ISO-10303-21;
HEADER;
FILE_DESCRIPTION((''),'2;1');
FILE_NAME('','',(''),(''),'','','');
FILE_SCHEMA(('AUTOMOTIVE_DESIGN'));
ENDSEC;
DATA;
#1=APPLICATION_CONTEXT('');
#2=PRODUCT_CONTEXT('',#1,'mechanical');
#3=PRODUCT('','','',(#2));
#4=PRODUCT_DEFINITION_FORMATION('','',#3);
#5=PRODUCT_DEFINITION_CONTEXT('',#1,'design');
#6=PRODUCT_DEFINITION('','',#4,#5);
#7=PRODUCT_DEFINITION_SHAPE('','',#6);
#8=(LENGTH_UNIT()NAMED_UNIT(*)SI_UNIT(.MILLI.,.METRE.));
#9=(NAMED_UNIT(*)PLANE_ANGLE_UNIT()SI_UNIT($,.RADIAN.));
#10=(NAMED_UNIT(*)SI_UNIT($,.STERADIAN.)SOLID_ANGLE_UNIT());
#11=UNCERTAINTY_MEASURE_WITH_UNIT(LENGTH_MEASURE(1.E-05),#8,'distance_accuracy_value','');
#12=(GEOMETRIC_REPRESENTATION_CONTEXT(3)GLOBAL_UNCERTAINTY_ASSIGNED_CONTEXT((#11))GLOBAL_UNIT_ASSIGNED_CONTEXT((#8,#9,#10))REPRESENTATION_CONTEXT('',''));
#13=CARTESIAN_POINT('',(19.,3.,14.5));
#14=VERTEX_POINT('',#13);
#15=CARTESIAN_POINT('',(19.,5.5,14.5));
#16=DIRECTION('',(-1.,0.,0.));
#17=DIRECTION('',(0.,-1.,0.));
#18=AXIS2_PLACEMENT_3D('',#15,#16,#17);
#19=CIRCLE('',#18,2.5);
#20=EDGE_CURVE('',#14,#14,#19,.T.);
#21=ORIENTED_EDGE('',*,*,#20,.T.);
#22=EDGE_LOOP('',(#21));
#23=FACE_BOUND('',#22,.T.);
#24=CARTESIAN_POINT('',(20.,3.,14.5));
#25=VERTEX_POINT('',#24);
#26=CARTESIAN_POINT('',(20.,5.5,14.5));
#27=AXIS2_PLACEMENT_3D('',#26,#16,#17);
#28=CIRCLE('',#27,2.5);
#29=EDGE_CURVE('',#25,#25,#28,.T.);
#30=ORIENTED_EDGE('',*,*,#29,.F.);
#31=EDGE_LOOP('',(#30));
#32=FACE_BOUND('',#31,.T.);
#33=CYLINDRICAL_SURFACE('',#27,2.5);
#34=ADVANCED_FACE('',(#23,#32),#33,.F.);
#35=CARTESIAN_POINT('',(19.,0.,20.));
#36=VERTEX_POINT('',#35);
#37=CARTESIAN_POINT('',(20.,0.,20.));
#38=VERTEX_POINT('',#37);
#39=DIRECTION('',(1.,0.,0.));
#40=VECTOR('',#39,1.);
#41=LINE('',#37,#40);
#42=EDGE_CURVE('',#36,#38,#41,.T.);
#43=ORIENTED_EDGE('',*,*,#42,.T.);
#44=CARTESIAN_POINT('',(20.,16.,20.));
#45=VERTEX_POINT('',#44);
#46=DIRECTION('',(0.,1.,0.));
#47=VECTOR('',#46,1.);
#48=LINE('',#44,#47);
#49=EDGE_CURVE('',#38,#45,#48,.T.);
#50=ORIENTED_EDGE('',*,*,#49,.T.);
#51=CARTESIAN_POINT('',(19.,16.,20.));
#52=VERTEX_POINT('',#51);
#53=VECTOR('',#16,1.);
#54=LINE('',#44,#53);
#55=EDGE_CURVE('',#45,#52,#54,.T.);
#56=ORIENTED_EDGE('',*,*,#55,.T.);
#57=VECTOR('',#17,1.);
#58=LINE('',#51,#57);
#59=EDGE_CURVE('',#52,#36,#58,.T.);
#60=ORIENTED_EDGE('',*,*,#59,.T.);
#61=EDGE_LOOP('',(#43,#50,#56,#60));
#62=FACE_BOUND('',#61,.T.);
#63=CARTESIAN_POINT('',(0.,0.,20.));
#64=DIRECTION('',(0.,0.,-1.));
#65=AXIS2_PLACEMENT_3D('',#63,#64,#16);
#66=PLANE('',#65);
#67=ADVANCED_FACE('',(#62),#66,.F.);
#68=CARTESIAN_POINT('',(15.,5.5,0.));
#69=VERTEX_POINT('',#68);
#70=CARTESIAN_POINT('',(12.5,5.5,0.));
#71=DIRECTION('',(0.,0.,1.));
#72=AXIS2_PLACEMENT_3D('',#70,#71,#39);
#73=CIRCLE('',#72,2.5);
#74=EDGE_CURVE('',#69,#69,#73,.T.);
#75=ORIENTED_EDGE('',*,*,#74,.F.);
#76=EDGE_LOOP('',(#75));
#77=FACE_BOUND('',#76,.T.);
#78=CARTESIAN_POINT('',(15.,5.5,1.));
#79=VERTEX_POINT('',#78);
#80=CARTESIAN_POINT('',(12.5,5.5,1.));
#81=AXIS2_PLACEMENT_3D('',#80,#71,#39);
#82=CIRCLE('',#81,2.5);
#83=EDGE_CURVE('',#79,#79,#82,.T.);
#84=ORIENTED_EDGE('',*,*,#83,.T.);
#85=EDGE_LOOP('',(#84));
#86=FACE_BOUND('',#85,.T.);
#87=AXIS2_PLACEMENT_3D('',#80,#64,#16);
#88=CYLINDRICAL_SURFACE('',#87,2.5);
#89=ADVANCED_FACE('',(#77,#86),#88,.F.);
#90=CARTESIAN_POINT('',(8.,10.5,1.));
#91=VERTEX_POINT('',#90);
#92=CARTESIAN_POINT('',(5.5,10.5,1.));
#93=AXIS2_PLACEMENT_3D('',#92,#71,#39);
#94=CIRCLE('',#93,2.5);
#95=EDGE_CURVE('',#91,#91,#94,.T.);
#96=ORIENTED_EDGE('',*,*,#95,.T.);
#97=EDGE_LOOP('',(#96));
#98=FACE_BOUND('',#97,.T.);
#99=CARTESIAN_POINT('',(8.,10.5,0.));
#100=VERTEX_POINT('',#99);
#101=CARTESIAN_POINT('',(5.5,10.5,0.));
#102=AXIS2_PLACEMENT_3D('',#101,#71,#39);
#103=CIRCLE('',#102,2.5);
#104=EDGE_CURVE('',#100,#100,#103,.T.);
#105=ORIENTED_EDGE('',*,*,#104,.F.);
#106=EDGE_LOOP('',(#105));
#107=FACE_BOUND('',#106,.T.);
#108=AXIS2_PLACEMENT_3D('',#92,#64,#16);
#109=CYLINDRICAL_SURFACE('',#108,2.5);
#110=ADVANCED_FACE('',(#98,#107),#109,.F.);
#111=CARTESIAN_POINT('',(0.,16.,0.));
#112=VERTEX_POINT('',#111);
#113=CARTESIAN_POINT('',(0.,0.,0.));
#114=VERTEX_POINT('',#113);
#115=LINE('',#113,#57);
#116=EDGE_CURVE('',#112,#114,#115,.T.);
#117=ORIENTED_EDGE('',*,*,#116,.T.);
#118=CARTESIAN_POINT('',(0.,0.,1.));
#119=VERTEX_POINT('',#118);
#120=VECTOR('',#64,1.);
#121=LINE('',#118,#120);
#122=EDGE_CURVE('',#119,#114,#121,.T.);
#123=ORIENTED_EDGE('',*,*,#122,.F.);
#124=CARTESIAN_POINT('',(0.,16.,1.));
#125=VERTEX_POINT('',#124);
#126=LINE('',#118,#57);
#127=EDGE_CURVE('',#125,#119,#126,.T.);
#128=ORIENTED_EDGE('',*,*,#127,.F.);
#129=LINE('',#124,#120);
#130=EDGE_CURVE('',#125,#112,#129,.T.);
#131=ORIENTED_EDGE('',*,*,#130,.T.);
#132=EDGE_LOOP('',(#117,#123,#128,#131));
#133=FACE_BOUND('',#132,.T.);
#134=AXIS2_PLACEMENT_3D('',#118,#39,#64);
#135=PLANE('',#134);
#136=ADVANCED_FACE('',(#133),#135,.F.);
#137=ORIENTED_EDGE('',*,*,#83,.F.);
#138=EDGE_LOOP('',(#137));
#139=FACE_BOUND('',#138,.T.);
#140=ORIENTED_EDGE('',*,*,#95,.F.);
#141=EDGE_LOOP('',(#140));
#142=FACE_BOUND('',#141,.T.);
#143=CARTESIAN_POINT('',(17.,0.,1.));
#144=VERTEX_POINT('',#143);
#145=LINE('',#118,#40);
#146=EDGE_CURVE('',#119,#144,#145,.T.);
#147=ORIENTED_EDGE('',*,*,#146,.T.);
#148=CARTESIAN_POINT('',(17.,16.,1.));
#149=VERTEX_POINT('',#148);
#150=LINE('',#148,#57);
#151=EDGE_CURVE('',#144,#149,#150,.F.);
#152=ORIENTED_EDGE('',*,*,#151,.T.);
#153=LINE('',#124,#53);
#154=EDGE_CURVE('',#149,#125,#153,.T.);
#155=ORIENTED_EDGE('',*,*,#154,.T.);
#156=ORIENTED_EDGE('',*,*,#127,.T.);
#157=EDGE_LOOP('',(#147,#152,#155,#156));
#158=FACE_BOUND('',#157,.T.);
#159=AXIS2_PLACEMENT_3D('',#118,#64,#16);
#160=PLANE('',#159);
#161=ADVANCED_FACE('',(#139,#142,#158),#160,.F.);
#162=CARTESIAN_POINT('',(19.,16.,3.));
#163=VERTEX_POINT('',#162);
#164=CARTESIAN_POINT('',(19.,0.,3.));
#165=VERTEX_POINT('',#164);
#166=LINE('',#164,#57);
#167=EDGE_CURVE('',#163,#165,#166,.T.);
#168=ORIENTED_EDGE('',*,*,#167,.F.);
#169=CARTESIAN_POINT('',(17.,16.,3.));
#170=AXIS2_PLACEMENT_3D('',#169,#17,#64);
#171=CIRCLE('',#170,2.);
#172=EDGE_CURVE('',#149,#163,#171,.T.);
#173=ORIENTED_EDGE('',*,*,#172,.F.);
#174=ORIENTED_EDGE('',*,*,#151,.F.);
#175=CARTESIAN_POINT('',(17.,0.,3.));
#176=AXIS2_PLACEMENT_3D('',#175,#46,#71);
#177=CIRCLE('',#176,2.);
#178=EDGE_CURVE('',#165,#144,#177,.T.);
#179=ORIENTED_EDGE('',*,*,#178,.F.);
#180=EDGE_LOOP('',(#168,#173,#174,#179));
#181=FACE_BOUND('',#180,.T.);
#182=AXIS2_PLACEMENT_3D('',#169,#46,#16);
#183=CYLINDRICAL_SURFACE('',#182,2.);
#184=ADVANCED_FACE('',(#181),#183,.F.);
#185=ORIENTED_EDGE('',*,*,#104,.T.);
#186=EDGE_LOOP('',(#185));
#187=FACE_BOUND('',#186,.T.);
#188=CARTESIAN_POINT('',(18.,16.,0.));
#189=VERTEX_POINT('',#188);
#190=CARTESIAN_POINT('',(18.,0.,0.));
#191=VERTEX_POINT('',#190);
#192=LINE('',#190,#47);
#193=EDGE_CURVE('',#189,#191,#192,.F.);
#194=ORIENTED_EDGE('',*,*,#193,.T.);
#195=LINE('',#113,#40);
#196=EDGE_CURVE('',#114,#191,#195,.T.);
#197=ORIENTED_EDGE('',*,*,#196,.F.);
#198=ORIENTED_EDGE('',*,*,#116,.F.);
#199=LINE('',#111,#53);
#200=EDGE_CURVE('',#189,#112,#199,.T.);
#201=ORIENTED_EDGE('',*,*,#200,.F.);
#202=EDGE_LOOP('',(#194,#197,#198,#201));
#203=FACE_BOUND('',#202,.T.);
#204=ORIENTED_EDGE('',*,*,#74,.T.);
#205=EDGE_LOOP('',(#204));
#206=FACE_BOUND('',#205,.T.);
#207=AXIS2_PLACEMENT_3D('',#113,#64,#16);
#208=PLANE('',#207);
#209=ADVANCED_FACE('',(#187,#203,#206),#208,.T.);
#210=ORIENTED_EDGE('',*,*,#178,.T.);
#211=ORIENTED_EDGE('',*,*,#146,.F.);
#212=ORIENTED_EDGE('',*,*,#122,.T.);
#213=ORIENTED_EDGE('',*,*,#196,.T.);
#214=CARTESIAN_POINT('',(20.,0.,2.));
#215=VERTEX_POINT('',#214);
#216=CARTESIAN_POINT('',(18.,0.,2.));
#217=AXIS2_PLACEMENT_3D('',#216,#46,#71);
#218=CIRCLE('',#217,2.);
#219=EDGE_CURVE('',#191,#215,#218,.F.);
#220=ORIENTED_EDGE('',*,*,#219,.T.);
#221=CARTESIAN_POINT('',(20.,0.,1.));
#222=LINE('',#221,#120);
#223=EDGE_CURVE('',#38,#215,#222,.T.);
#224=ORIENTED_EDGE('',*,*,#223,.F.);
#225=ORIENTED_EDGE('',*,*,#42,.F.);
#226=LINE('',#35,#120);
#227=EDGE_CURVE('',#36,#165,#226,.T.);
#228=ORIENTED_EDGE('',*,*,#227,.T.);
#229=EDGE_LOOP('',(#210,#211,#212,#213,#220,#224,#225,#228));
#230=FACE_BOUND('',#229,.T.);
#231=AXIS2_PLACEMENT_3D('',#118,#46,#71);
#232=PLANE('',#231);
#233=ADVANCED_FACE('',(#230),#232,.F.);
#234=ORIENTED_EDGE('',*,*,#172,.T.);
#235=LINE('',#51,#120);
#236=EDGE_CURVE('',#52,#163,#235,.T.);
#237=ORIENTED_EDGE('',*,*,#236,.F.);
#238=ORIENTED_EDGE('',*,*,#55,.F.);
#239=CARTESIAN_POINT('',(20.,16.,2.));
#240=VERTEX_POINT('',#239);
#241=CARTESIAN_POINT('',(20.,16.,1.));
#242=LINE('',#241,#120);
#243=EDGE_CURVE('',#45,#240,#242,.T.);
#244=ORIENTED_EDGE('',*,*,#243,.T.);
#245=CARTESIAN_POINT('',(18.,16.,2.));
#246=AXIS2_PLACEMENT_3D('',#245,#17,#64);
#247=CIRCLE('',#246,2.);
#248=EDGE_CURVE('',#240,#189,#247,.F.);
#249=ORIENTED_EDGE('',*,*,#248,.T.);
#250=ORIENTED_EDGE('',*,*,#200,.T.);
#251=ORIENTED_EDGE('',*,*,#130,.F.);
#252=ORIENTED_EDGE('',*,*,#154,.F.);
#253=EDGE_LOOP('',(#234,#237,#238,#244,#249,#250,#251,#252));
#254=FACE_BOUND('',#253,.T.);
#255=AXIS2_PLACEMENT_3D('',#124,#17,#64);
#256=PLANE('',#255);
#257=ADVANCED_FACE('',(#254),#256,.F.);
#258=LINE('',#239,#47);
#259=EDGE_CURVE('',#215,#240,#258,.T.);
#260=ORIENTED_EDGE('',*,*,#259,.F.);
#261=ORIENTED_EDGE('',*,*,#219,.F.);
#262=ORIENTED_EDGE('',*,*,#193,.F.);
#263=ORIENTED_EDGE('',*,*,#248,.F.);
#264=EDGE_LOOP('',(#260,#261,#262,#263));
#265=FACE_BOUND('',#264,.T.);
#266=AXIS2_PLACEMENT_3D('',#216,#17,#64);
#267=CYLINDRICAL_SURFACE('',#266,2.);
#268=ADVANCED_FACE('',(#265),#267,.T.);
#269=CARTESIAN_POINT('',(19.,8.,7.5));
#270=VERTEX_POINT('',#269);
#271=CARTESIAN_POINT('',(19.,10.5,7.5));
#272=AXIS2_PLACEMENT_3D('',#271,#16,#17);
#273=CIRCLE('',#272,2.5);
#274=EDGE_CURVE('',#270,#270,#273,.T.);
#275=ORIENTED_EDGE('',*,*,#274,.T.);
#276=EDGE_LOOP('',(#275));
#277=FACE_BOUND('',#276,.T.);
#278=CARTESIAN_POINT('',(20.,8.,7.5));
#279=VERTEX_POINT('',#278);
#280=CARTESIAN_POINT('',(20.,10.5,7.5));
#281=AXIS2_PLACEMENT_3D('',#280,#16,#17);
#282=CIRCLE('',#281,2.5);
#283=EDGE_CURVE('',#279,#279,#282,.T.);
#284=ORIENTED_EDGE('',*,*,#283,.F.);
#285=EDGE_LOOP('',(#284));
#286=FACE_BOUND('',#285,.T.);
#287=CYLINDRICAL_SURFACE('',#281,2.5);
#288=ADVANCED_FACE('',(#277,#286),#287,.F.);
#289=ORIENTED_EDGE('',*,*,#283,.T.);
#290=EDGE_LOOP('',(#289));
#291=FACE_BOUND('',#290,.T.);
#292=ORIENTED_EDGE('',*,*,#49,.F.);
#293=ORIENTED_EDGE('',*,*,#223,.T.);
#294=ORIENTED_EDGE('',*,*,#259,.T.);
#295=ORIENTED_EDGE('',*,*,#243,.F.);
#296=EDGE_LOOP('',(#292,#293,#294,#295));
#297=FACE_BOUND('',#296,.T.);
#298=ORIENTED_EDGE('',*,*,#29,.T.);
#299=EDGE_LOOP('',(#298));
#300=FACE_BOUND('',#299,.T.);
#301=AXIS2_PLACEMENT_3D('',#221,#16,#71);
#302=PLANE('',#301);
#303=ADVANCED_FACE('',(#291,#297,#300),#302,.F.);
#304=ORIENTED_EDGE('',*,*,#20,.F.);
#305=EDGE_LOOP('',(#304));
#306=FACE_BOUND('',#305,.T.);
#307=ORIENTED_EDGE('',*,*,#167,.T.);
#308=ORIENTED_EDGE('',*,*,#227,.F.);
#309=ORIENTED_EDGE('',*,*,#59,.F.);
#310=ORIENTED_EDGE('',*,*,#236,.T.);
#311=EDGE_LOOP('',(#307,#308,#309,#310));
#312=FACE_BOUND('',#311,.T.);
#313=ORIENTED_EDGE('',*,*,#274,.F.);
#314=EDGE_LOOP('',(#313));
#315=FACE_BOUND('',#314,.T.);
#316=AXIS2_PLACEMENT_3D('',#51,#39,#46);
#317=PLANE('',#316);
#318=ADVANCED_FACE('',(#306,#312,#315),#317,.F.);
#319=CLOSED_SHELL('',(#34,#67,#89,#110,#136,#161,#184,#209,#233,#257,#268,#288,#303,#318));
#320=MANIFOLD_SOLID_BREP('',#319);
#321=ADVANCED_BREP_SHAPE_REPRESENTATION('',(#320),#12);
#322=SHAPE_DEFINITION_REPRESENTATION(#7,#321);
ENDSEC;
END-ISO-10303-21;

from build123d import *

# Parameters (mm, degrees)
SKETCH_1_W          = 20
SKETCH_1_H          = 16
SKETCH_1_R          = 2.5
EXTRUDE_1_DEPTH     = 1
SKETCH_2_W          = 1
SKETCH_2_H          = 16
EXTRUDE_2_DEPTH     = 19
SKETCH_3_R          = 2.5
CUT_EXTRUDE_1_DEPTH = 32.890437438
FILLET_2_R          = 2


with BuildPart() as part:
    # 草图1 → 凸台-拉伸1 (new body)
    with BuildSketch(Plane.XY):
        with Locations((10, 8)):
            Rectangle(SKETCH_1_W, SKETCH_1_H)
        with Locations((5.5, 10.5)):
            Circle(SKETCH_1_R, mode=Mode.SUBTRACT)
        with Locations((12.5, 5.5)):
            Circle(SKETCH_1_R, mode=Mode.SUBTRACT)
    extrude(amount=EXTRUDE_1_DEPTH)

    # 草图2 → 凸台-拉伸2 (add)
    with BuildSketch(Plane.XY.offset(1)):
        with Locations((19.5, 8)):
            Rectangle(SKETCH_2_W, SKETCH_2_H)
    extrude(amount=EXTRUDE_2_DEPTH)

    # 草图3 → 切除-拉伸1 (cut, through all)
    with BuildSketch(Plane.ZY.offset(-19)):
        with Locations(Location((7.5, 10.5, 0), (0, 0, 270))):
            Circle(SKETCH_3_R)
        with Locations(Location((14.5, 5.5, 0), (0, 0, 270))):
            Circle(SKETCH_3_R)
    extrude(amount=-CUT_EXTRUDE_1_DEPTH, mode=Mode.SUBTRACT)

    # 圆角2
    fillet_2_edges = [part.edges().sort_by_distance(p)[0] for p in [
        (19, 8, 1),
        (20, 8, 0),
    ]]
    fillet(fillet_2_edges, radius=FILLET_2_R)


solid = part.part
